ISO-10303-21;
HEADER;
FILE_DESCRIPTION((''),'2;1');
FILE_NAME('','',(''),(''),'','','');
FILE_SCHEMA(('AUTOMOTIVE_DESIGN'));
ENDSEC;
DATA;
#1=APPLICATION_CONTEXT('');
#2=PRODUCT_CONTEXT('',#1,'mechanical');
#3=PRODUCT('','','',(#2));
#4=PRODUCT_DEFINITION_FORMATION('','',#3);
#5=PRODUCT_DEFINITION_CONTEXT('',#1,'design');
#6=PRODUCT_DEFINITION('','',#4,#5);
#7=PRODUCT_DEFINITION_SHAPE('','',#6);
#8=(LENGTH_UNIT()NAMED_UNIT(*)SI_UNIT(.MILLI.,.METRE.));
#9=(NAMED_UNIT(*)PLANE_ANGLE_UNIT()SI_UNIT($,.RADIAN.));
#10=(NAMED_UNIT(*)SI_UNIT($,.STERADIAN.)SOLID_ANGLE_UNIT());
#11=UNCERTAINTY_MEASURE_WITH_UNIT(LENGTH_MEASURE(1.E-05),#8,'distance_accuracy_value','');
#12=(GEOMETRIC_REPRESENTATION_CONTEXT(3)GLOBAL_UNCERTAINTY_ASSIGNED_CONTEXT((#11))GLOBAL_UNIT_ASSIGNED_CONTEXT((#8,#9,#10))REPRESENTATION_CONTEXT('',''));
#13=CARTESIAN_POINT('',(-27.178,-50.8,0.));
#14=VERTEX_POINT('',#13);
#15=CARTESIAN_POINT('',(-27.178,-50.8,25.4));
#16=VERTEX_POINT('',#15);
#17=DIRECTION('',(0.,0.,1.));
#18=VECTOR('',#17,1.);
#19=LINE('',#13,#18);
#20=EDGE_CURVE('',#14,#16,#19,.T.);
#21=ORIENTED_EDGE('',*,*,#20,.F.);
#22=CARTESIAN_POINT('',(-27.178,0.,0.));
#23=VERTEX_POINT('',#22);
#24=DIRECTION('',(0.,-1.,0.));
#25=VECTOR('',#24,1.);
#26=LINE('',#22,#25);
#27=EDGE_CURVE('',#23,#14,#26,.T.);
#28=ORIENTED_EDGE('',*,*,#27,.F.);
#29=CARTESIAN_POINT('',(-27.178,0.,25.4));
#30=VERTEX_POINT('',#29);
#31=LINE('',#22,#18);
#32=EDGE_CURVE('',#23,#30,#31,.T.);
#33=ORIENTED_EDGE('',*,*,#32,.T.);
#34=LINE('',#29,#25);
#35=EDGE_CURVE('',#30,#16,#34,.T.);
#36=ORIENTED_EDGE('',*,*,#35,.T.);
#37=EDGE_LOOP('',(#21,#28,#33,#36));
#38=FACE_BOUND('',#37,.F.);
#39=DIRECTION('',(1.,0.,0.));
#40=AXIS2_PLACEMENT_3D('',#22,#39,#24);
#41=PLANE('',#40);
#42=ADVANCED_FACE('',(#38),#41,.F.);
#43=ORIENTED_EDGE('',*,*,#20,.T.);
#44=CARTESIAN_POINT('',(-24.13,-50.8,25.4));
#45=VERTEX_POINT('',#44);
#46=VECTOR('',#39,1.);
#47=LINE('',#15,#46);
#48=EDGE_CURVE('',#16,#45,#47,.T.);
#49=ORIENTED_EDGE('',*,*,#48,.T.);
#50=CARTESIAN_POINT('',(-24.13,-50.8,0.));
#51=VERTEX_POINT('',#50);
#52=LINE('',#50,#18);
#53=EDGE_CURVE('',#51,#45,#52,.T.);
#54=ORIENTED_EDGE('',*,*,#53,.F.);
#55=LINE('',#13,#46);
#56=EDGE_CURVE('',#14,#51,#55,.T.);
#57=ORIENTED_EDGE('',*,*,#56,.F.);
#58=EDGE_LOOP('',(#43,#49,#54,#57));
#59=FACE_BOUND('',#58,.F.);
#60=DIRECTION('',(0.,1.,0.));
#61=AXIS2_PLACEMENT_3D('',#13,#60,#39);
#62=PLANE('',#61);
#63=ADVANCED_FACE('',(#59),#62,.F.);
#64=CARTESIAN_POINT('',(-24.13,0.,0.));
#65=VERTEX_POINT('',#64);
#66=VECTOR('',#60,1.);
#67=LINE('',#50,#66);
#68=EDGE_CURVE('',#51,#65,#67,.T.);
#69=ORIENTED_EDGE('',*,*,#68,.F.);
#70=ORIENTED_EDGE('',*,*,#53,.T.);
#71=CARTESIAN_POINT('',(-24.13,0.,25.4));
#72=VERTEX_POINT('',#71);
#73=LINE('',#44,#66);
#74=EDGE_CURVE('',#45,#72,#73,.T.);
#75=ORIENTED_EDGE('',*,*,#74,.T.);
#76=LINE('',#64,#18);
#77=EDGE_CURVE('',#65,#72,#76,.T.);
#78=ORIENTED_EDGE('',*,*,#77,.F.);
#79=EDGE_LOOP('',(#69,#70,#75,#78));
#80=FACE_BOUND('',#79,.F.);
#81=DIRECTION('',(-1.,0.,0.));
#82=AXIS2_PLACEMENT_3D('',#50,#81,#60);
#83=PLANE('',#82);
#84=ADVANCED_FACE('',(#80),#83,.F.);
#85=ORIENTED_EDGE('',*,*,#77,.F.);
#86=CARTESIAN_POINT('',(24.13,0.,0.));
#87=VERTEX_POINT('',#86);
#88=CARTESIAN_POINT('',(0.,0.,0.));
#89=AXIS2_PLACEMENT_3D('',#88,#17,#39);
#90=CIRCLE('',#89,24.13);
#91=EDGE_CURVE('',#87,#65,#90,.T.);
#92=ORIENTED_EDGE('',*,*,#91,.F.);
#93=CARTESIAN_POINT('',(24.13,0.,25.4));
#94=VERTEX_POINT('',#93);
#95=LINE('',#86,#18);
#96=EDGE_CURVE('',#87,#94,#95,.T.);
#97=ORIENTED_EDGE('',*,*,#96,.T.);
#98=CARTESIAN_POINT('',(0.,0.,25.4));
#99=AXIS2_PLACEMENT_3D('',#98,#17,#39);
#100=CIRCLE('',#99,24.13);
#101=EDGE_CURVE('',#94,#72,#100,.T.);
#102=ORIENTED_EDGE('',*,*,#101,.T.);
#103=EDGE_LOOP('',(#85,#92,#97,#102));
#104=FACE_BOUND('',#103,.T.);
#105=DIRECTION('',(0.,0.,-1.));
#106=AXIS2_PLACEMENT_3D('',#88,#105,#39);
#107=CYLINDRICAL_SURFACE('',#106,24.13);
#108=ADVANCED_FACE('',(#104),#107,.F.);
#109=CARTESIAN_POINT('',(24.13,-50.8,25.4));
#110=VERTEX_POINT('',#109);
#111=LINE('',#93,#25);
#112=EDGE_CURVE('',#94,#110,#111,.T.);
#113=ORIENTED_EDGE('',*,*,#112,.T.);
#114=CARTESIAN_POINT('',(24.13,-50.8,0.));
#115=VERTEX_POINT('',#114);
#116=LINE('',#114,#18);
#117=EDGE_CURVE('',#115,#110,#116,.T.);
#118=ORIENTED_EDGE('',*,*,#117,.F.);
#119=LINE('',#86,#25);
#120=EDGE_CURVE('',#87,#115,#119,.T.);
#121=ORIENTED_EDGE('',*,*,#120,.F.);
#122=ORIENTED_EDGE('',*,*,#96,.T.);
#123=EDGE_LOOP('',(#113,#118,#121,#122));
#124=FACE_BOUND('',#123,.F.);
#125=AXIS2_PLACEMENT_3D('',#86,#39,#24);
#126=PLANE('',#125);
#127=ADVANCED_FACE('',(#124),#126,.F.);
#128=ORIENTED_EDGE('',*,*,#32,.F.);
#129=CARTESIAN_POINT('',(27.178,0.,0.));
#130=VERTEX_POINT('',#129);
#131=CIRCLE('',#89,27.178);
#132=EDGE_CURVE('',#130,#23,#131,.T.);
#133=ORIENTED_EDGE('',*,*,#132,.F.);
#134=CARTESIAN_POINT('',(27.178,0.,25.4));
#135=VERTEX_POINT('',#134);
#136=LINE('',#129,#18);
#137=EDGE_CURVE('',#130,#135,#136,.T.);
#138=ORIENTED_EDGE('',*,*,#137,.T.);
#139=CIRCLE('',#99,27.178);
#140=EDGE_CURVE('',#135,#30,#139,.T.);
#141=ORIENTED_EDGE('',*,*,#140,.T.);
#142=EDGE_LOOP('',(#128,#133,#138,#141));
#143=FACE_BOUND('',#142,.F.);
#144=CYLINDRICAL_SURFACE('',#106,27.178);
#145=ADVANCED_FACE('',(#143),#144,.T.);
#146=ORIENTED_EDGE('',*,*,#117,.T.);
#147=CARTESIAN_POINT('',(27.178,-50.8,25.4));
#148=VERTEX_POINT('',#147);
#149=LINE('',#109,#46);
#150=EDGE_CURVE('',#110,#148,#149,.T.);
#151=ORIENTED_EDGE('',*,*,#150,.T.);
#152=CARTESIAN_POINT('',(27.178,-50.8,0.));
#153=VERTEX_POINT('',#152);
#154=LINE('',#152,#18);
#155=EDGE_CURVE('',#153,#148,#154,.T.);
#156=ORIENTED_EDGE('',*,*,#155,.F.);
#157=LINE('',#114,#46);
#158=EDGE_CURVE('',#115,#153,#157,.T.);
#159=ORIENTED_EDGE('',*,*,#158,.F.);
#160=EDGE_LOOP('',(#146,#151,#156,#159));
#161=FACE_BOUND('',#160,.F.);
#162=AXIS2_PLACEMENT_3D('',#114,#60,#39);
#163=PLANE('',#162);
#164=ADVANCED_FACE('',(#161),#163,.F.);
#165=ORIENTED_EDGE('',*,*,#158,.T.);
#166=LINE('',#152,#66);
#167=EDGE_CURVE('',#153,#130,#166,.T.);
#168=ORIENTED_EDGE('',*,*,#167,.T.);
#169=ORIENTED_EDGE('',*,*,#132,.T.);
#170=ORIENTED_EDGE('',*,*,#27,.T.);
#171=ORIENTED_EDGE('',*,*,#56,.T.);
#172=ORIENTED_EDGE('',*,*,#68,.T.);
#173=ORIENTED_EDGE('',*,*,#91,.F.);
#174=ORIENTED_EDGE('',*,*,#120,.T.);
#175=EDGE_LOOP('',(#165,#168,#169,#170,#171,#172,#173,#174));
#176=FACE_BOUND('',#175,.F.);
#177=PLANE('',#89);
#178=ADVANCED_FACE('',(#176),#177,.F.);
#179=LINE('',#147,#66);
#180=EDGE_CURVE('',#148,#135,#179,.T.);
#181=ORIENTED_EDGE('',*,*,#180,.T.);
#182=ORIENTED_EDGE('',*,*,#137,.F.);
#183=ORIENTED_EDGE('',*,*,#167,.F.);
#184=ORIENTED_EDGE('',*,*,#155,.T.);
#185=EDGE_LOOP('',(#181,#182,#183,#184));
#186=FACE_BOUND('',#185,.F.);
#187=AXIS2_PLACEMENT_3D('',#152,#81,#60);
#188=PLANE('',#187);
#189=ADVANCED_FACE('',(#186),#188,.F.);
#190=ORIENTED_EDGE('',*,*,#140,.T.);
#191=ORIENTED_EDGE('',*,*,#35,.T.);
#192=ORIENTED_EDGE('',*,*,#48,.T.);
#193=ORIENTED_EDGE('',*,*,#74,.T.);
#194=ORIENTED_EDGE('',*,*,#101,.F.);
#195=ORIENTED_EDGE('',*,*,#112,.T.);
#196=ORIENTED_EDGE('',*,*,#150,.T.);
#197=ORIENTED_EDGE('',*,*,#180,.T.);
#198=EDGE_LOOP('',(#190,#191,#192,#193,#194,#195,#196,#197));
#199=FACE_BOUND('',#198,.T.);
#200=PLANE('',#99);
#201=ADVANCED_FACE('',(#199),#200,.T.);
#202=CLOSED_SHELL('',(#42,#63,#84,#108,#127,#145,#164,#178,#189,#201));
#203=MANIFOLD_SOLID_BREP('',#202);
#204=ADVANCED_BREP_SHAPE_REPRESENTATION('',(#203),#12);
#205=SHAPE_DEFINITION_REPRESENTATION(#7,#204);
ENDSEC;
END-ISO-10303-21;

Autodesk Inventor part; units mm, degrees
ref_plane "YZ Plane" through (0, 0, 0) normal (1, 0, 0) x (0, 1, 0)
ref_plane "XZ Plane" through (0, 0, 0) normal (0, 1, 0) x (-1, 0, 0)
ref_plane "XY Plane" through (0, 0, 0) normal (0, 0, 1) x (1, 0, 0)
sketch "Sketch1" plane through (0, 0, 0) normal (0, 0, 1) x (1, 0, 0)
  arc A0 (24.13, 0) -> (-24.13, 0) centre (0, 0) ccw
  line L0 (24.13, 0) -> (24.13, -50.8)
  line L1 (24.13, -50.8) -> (27.178, -50.8)
  line L2 (27.178, -50.8) -> (27.178, 0)
  arc A1 (27.178, 0) -> (-27.178, 0) centre (0, 0) ccw
  line L3 (-27.178, 0) -> (-27.178, -50.8)
  line L4 (-27.178, -50.8) -> (-24.13, -50.8)
  line L5 (-24.13, -50.8) -> (-24.13, 0)
  dimension "d0" = 48.26
  dimension "d1" = 3.048
  dimension "d2" = 50.8
extrude "Extrusion1" add sketch "Sketch1" along normal blind 25.4
equation "\"d1\" = Thickness"
equation "\"BendRadius\" = Thickness"
equation "\"BendReliefWidth\" = Thickness"
equation "\"BendReliefDepth\" = 0.5 * Thickness"
equation "\"CornerReliefSize\" = 4 * Thickness"
equation "\"MinimumRemnant\" = 2 * Thickness"
equation "\"TransitionRadius\" = BendRadius"
equation "\"JacobiRadiusSize\" = Thickness"
equation "\"GapSize\" = Thickness"
equation "\"Thickness\" = 3.048"
properties part number "A1-18002-100-51 Tube cradle - 1.900in" material "Steel, Mild"
